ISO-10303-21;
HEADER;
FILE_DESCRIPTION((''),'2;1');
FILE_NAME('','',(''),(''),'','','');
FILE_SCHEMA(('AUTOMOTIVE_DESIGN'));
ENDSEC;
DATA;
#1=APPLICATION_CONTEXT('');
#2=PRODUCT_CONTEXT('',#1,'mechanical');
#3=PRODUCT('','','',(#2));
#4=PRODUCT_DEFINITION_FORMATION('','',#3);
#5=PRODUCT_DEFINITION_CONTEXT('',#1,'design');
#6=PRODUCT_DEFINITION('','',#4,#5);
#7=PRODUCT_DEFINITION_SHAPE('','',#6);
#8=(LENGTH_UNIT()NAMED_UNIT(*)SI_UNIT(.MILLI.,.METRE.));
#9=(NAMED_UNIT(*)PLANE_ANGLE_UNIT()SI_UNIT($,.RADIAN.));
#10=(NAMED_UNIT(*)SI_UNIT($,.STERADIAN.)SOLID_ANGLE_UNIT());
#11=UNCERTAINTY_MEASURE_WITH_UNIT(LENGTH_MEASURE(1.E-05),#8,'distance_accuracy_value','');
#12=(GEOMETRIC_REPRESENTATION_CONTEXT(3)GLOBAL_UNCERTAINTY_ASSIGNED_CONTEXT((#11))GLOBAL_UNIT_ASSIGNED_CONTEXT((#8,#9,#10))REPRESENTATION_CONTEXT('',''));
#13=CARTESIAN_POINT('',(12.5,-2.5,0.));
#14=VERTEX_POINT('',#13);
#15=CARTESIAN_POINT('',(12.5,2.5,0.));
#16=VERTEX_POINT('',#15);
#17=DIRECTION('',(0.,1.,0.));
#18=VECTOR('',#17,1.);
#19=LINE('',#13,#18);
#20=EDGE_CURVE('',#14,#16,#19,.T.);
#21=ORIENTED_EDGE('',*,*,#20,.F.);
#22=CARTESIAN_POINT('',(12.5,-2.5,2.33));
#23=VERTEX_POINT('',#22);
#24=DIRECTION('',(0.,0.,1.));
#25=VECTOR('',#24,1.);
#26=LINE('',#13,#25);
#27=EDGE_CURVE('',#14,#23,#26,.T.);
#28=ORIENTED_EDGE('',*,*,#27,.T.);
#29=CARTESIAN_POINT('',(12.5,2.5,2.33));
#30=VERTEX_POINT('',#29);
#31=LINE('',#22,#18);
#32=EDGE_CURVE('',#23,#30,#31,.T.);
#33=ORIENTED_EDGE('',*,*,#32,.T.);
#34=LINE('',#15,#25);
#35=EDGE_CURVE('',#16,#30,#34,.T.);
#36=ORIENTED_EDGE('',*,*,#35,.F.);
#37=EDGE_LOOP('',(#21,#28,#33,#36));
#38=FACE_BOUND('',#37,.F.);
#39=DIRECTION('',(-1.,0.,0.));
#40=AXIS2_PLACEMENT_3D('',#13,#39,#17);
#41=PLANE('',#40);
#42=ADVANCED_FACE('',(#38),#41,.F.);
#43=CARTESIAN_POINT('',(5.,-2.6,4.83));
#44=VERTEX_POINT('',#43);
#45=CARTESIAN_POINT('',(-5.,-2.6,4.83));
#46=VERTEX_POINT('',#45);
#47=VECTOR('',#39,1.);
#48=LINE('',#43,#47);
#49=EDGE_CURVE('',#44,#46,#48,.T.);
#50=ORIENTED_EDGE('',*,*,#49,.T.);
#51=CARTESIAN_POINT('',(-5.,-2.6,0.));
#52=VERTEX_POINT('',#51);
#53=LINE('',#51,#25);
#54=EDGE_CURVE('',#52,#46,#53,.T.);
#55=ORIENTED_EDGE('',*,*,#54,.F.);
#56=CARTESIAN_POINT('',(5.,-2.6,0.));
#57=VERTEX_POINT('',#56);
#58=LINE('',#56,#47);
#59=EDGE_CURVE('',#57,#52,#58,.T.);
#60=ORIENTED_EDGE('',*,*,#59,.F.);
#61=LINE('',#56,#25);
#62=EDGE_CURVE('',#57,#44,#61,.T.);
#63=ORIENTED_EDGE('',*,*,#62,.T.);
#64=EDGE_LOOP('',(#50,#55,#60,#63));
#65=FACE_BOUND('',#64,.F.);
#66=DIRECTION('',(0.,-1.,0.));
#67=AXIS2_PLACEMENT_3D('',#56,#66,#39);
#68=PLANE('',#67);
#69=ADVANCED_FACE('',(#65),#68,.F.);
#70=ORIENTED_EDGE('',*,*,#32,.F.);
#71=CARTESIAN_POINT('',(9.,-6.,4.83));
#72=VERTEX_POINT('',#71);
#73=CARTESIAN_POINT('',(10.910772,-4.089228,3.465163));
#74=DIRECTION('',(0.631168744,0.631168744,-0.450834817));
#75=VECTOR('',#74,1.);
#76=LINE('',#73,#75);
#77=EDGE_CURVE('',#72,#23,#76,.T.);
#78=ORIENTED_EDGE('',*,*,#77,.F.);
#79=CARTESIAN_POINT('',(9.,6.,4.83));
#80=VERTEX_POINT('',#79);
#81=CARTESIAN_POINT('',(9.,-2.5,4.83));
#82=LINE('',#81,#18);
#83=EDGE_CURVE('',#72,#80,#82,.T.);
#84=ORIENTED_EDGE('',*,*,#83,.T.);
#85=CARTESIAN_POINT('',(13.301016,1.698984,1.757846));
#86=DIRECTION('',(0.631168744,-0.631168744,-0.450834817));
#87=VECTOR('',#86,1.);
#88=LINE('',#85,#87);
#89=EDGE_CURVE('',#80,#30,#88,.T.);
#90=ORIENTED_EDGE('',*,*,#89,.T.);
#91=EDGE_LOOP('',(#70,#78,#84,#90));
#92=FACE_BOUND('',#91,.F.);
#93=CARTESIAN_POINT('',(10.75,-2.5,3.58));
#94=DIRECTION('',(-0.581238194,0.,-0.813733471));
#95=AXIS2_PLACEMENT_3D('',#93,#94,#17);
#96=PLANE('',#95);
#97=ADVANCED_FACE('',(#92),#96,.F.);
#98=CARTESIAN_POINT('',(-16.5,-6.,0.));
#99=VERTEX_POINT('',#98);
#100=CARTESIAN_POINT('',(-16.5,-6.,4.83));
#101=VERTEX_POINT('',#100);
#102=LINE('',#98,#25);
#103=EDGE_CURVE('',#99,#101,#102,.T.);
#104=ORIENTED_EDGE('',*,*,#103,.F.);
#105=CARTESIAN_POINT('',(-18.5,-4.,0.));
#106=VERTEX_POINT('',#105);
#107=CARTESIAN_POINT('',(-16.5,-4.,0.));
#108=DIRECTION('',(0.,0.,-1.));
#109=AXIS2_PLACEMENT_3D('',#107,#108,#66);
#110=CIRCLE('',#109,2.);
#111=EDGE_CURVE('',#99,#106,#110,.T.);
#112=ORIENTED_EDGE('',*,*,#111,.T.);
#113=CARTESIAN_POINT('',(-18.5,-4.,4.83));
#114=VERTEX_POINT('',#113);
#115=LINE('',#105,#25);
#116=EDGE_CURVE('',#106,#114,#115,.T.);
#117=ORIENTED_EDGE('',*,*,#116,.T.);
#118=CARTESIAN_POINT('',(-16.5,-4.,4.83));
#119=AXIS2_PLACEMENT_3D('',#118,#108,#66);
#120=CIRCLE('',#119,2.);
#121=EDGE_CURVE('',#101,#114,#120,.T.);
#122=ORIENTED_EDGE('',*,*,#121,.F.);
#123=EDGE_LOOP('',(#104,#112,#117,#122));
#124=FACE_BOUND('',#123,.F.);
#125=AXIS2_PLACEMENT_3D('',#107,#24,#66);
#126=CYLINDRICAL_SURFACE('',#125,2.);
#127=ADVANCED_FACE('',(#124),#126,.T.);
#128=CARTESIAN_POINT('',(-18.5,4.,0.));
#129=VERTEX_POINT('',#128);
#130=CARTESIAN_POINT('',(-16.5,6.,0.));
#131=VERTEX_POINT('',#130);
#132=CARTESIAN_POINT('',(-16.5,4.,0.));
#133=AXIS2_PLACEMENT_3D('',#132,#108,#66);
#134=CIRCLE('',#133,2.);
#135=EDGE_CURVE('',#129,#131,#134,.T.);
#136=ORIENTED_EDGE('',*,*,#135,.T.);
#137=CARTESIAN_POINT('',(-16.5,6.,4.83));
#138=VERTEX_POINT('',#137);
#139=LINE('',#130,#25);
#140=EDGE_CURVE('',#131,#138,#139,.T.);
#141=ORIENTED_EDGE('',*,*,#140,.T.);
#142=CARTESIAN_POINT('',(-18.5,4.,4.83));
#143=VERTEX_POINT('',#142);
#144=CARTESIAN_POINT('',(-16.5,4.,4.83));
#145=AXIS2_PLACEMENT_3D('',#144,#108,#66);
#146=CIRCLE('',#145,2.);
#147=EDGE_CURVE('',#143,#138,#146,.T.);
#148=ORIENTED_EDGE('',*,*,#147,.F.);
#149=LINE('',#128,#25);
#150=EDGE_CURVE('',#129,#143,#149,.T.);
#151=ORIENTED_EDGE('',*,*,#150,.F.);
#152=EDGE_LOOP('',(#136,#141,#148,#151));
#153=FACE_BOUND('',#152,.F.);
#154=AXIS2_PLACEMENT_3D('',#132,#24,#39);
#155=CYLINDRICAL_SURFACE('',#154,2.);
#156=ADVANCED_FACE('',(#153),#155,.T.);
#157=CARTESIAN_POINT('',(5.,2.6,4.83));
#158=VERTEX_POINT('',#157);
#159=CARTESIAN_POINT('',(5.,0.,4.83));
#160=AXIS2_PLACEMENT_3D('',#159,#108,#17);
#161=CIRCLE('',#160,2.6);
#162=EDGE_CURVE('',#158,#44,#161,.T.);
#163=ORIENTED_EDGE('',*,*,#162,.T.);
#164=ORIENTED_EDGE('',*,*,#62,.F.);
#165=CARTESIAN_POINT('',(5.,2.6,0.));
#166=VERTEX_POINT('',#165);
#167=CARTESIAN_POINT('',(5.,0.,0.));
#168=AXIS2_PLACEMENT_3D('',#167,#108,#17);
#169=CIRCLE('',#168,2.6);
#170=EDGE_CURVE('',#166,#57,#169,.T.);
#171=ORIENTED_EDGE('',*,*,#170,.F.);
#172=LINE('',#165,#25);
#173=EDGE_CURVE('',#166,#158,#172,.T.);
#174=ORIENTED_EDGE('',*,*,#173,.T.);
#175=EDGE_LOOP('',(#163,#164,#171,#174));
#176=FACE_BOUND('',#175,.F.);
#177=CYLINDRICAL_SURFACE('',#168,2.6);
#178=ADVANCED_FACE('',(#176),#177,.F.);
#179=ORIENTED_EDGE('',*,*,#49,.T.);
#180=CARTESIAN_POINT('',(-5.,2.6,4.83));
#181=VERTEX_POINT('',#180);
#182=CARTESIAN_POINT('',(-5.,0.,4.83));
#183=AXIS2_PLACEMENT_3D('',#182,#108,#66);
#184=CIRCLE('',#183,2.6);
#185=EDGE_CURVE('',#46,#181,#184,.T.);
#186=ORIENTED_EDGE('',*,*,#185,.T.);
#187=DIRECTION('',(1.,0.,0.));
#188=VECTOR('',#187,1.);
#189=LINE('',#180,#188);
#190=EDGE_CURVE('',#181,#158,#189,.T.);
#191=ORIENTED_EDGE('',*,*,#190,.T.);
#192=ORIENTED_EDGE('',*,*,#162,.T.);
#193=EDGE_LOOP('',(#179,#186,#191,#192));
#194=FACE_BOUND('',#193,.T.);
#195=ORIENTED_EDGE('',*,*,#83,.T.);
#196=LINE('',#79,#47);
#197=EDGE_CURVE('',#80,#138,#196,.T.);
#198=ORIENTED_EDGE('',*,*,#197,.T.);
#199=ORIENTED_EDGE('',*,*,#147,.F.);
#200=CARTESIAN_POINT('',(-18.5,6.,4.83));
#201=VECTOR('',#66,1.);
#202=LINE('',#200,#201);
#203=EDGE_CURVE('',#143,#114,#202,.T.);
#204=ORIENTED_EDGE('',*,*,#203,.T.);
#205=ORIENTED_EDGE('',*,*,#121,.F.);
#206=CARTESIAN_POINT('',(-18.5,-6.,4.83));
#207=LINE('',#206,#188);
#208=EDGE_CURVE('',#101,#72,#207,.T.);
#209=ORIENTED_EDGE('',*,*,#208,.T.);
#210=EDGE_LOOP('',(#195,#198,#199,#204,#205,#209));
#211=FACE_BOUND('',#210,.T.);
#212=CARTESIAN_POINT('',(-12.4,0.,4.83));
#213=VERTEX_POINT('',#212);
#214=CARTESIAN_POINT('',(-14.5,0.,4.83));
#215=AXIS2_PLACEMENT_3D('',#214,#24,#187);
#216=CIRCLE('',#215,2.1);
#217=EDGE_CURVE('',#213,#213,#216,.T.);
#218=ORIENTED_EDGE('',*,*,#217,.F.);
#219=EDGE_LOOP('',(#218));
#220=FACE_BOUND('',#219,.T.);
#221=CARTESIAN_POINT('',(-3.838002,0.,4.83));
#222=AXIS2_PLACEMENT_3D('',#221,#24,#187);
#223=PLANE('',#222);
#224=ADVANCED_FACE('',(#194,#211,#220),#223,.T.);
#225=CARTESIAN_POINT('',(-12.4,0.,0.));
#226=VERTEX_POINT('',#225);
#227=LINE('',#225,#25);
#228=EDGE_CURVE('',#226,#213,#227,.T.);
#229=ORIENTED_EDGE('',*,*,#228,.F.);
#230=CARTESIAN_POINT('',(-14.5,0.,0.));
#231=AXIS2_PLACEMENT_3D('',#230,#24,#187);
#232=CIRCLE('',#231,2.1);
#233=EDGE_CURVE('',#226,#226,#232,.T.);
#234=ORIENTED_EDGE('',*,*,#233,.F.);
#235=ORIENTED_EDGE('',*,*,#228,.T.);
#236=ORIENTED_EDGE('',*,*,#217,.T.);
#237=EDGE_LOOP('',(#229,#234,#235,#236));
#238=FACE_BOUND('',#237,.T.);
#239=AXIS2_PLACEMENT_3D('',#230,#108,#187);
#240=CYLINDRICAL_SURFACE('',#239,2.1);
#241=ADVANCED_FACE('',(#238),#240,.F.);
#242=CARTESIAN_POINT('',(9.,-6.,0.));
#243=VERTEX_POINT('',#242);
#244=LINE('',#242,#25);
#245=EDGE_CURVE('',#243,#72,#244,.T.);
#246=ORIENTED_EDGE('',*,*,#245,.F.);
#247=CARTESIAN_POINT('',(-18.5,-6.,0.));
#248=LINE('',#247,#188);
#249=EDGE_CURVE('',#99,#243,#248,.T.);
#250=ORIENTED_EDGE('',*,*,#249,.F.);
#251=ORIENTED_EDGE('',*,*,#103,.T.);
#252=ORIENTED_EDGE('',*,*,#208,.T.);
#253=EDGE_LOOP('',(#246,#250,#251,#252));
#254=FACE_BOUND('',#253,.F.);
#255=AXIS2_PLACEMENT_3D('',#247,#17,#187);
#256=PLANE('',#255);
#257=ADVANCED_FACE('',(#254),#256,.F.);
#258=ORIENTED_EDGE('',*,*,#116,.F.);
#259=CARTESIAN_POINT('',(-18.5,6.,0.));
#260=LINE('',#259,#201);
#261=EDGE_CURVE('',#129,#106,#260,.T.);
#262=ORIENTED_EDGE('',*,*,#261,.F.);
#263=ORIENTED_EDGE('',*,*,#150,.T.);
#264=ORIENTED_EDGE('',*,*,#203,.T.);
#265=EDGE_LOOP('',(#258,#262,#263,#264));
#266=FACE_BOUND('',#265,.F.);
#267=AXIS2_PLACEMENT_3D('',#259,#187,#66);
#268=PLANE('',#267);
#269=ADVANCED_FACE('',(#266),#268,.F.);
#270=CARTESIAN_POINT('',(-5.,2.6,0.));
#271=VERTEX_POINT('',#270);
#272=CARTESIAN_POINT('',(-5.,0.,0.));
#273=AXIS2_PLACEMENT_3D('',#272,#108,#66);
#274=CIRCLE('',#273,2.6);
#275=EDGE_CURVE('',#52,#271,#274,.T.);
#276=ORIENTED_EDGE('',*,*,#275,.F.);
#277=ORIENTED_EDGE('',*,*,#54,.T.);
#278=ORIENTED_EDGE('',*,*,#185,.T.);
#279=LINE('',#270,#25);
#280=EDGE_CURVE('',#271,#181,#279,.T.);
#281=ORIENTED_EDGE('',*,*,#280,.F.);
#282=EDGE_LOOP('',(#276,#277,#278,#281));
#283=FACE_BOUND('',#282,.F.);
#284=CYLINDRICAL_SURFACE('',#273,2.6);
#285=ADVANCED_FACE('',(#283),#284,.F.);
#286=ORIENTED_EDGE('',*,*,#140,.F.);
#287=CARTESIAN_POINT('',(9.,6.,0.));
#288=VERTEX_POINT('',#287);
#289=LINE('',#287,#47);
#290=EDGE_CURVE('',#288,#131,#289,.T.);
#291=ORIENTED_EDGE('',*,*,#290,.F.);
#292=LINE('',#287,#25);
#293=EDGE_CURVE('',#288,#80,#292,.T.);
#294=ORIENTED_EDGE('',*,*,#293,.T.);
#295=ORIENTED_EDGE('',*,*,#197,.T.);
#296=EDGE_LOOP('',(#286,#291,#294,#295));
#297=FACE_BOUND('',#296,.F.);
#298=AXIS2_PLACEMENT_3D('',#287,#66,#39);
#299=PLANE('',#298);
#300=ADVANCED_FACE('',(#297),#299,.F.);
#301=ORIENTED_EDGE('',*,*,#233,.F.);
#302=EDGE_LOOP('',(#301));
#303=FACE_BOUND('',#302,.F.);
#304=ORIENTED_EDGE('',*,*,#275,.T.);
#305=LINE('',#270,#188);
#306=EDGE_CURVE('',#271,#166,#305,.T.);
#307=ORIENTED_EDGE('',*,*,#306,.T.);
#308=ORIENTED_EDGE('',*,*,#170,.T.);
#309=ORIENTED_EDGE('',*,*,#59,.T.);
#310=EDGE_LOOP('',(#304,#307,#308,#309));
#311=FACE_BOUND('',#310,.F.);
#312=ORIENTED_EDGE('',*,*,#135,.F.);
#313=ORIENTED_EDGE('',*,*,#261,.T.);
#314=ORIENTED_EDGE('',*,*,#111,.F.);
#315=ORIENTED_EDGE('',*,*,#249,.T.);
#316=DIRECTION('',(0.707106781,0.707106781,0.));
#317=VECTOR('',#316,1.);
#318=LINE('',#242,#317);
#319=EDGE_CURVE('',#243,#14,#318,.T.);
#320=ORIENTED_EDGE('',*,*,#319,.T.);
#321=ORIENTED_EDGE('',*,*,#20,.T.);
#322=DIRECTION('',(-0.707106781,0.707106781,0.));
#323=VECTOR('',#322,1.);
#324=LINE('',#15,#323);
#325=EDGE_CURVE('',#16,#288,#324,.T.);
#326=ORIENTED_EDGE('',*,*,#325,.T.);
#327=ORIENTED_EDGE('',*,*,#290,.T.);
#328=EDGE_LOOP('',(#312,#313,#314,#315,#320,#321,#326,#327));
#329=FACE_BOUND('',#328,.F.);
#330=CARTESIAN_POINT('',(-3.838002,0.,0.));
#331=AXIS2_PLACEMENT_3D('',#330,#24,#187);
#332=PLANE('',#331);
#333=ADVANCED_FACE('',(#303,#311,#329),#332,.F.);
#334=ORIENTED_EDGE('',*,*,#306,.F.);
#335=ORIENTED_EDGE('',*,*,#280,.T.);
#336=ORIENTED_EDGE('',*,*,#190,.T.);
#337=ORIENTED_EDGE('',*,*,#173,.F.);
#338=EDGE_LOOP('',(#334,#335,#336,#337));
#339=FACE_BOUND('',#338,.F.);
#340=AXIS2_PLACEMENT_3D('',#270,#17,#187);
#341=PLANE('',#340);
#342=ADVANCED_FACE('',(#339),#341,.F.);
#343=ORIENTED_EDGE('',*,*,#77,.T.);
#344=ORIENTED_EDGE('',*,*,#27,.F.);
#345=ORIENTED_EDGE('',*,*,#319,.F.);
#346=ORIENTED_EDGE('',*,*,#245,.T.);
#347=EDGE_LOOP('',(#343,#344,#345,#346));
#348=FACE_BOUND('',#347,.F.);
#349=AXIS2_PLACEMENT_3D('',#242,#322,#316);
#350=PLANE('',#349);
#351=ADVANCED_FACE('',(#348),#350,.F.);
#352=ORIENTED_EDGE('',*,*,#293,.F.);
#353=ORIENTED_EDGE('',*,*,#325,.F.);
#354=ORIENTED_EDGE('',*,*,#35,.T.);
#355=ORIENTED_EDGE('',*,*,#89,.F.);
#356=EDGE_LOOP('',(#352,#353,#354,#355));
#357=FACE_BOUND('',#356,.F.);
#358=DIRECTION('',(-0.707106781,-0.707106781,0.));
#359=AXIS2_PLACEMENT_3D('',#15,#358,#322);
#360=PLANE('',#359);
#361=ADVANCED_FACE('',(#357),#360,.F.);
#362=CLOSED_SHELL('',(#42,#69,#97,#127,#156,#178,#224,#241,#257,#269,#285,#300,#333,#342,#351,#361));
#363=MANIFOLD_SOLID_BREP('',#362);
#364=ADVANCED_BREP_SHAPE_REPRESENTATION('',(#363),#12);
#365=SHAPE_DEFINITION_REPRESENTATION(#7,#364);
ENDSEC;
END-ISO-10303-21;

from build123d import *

# Parameters (mm, degrees)
F0_R     = 2.1
F1_DEPTH = 4.83
F2_SIZE2 = 2.5
F2_SIZE  = 3.5
F3_R     = 2
F4_R     = 2


with BuildPart() as f1:
    # F0 (on Top) → F1 (new body)
    with BuildSketch(Plane.XY):
        Polygon((-12.5, -6), (9, -6), (12.5, -2.5), (12.5, 2.5), (9, 6), (-12.5, 6), (-18.5, 6), (-18.5, -6), align=None)
        with Locations((-14.5, 0)):
            Circle(F0_R, mode=Mode.SUBTRACT)
        with BuildLine():
            Line((5, -2.6), (-5, -2.6))
            ThreePointArc((-5, -2.6), (-7.6, 0), (-5, 2.6))
            Line((-5, 2.6), (5, 2.6))
            ThreePointArc((5, 2.6), (7.6, 0), (5, -2.6))
        make_face(mode=Mode.SUBTRACT)
    extrude(amount=F1_DEPTH)

    # F2
    f2_edges = [f1.edges().sort_by_distance(p)[0] for p in [
        (12.5, 0, 4.83),
    ]]
    f2_side = f1.faces().sort_by_distance((-4.75, -5.667585, 4.83))[0]
    chamfer(f2_edges, length=F2_SIZE, length2=F2_SIZE2, reference=f2_side)

    # F3
    f3_edges = [f1.edges().sort_by_distance(p)[0] for p in [
        (-18.5, -6, 2.415),
    ]]
    fillet(f3_edges, radius=F3_R)

    # F4
    f4_edges = [f1.edges().sort_by_distance(p)[0] for p in [
        (-18.5, 6, 2.415),
    ]]
    fillet(f4_edges, radius=F4_R)


solid = f1.part
